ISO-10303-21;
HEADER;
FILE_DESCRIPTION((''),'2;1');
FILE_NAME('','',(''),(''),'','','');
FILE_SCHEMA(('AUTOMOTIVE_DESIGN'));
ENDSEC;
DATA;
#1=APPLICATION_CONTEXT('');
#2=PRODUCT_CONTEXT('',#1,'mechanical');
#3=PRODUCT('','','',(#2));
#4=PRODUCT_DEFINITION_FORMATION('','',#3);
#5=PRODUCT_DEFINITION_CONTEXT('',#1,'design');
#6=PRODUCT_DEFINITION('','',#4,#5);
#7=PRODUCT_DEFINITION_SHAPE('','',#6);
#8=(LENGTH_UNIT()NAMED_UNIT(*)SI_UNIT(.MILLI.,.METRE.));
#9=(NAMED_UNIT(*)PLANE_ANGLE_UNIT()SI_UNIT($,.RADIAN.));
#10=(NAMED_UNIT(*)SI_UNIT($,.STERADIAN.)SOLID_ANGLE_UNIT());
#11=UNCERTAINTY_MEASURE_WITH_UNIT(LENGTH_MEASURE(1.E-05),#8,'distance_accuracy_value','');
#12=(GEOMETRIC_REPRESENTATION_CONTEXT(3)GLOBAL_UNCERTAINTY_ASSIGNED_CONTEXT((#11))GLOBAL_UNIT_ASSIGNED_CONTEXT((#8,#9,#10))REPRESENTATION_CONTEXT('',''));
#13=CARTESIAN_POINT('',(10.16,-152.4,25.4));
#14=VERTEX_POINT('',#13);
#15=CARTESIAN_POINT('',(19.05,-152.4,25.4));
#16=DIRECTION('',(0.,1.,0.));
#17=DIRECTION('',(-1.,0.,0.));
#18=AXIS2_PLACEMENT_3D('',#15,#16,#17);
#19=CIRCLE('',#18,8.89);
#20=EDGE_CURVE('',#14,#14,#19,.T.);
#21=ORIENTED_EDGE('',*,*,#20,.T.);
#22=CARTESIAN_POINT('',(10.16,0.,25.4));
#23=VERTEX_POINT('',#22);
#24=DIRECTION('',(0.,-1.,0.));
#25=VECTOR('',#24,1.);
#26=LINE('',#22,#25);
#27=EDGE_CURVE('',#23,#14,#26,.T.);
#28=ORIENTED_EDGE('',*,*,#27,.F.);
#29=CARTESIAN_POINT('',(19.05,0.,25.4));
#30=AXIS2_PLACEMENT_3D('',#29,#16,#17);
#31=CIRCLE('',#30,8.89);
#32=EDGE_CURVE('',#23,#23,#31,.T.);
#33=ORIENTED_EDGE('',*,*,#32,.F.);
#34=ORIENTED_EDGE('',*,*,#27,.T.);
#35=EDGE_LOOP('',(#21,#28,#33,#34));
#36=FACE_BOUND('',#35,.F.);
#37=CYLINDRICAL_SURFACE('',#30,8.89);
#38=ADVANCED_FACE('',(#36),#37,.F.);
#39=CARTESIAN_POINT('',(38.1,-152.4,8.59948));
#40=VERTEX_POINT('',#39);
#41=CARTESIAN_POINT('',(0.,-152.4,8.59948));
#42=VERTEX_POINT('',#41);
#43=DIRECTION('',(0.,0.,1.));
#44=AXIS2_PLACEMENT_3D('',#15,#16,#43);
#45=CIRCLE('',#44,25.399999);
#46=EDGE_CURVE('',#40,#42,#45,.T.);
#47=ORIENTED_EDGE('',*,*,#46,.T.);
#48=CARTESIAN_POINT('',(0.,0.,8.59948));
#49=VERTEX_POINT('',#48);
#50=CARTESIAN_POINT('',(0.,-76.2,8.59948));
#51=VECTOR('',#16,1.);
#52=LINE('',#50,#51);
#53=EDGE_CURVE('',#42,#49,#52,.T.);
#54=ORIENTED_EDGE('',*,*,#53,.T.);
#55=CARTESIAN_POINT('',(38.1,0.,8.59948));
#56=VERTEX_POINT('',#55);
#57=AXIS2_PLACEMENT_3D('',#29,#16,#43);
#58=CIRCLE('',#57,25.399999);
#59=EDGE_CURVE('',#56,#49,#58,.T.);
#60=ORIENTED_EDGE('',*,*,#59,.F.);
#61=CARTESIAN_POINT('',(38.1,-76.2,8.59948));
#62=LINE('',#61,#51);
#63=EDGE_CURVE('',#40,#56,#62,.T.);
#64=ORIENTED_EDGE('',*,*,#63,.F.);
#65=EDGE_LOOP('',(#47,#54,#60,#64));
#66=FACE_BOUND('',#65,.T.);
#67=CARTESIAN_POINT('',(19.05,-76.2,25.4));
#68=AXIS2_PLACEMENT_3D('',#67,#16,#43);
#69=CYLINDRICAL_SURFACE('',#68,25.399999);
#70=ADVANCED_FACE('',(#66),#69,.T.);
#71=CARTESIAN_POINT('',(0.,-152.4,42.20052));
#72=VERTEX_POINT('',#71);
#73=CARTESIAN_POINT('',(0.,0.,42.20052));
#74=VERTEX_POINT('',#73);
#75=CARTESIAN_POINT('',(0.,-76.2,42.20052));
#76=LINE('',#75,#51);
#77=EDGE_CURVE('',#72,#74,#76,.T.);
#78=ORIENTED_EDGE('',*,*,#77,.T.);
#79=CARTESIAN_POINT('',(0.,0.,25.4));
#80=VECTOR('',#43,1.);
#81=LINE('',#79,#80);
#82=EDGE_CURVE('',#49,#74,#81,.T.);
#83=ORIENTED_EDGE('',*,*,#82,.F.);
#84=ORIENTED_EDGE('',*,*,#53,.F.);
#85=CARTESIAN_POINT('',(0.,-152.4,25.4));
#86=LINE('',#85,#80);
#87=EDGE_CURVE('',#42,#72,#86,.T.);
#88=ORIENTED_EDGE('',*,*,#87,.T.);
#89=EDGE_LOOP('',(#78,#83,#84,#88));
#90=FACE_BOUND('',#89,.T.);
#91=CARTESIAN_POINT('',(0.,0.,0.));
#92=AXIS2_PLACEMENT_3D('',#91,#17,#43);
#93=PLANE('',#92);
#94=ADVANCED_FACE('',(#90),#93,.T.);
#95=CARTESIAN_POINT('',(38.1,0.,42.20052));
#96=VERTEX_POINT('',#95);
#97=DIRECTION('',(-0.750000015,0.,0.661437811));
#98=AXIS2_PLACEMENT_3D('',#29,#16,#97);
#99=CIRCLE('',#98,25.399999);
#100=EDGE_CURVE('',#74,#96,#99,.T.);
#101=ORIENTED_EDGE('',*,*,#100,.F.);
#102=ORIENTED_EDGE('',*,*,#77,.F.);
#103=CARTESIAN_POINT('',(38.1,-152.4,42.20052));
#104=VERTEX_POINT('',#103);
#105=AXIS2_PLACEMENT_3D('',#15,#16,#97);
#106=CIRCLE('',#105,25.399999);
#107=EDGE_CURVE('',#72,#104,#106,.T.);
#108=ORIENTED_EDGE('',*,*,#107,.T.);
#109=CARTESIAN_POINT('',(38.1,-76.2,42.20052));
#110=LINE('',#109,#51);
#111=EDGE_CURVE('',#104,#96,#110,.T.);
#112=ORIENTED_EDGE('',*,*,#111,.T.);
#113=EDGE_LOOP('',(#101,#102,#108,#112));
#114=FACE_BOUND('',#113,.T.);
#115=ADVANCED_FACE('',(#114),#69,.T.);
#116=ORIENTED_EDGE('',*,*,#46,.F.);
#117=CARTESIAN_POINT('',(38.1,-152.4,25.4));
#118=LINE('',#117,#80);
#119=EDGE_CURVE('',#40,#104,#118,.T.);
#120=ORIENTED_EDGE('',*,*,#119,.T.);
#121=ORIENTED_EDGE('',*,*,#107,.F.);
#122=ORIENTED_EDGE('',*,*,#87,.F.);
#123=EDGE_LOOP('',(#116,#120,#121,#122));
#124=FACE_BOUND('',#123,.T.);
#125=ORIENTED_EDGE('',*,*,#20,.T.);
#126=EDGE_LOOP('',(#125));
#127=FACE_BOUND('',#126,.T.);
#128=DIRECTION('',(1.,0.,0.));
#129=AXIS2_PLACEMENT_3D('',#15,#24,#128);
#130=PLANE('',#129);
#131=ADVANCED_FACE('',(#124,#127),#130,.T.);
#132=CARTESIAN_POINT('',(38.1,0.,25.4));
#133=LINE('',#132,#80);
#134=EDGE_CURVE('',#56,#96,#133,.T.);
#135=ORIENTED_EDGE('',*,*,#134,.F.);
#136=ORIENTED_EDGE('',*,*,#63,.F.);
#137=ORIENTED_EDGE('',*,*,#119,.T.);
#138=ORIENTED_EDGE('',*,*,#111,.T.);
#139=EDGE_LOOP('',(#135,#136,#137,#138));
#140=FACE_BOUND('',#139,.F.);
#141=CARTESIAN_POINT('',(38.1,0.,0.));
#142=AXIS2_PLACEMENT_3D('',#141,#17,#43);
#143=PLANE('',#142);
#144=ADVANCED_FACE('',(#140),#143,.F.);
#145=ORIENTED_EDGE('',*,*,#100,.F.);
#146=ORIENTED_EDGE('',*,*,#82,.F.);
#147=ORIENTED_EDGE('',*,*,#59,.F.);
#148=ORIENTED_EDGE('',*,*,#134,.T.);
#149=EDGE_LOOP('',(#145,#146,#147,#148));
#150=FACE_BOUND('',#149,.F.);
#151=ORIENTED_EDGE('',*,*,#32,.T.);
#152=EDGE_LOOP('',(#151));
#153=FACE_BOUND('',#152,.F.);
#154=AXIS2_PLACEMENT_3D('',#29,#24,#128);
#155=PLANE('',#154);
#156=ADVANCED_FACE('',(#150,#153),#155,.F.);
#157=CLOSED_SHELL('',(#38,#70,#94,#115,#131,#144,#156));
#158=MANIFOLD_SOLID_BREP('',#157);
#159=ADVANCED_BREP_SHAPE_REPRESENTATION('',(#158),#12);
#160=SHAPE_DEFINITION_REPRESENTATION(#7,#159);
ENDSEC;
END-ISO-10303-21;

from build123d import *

# Parameters (mm, degrees)
F0_W     = 38.1
F0_H     = 50.8
F1_DEPTH = 152.4
F2_R     = 8.89
F3_DEPTH = 152.401
F5_W     = 152.4
F5_H     = 28.410043


with BuildPart() as f1:
    # F0 (on Front) → F1 (new body)
    with BuildSketch(Plane.XZ):
        with Locations((19.05, 25.4)):
            Rectangle(F0_W, F0_H)
    extrude(amount=F1_DEPTH)

    # F2 (on face) → F3 (cut, through all)
    with BuildSketch(Plane(origin=(0, 0, 0), x_dir=(-1, 0, 0), z_dir=(0, 1, 0))):
        with Locations((-19.05, 25.4)):
            Circle(F2_R)
    extrude(amount=-F3_DEPTH, mode=Mode.SUBTRACT)

    # F5 (on offset) → F6 (revolve, cut)
    with BuildSketch(Plane.YZ.offset(19.05)):
        with Locations((-76.2, 65.005021)):
            Rectangle(F5_W, F5_H)
    revolve(axis=Axis((19.05, -76.2, 25.4), (0, 1, 0)), mode=Mode.SUBTRACT)


solid = f1.part
